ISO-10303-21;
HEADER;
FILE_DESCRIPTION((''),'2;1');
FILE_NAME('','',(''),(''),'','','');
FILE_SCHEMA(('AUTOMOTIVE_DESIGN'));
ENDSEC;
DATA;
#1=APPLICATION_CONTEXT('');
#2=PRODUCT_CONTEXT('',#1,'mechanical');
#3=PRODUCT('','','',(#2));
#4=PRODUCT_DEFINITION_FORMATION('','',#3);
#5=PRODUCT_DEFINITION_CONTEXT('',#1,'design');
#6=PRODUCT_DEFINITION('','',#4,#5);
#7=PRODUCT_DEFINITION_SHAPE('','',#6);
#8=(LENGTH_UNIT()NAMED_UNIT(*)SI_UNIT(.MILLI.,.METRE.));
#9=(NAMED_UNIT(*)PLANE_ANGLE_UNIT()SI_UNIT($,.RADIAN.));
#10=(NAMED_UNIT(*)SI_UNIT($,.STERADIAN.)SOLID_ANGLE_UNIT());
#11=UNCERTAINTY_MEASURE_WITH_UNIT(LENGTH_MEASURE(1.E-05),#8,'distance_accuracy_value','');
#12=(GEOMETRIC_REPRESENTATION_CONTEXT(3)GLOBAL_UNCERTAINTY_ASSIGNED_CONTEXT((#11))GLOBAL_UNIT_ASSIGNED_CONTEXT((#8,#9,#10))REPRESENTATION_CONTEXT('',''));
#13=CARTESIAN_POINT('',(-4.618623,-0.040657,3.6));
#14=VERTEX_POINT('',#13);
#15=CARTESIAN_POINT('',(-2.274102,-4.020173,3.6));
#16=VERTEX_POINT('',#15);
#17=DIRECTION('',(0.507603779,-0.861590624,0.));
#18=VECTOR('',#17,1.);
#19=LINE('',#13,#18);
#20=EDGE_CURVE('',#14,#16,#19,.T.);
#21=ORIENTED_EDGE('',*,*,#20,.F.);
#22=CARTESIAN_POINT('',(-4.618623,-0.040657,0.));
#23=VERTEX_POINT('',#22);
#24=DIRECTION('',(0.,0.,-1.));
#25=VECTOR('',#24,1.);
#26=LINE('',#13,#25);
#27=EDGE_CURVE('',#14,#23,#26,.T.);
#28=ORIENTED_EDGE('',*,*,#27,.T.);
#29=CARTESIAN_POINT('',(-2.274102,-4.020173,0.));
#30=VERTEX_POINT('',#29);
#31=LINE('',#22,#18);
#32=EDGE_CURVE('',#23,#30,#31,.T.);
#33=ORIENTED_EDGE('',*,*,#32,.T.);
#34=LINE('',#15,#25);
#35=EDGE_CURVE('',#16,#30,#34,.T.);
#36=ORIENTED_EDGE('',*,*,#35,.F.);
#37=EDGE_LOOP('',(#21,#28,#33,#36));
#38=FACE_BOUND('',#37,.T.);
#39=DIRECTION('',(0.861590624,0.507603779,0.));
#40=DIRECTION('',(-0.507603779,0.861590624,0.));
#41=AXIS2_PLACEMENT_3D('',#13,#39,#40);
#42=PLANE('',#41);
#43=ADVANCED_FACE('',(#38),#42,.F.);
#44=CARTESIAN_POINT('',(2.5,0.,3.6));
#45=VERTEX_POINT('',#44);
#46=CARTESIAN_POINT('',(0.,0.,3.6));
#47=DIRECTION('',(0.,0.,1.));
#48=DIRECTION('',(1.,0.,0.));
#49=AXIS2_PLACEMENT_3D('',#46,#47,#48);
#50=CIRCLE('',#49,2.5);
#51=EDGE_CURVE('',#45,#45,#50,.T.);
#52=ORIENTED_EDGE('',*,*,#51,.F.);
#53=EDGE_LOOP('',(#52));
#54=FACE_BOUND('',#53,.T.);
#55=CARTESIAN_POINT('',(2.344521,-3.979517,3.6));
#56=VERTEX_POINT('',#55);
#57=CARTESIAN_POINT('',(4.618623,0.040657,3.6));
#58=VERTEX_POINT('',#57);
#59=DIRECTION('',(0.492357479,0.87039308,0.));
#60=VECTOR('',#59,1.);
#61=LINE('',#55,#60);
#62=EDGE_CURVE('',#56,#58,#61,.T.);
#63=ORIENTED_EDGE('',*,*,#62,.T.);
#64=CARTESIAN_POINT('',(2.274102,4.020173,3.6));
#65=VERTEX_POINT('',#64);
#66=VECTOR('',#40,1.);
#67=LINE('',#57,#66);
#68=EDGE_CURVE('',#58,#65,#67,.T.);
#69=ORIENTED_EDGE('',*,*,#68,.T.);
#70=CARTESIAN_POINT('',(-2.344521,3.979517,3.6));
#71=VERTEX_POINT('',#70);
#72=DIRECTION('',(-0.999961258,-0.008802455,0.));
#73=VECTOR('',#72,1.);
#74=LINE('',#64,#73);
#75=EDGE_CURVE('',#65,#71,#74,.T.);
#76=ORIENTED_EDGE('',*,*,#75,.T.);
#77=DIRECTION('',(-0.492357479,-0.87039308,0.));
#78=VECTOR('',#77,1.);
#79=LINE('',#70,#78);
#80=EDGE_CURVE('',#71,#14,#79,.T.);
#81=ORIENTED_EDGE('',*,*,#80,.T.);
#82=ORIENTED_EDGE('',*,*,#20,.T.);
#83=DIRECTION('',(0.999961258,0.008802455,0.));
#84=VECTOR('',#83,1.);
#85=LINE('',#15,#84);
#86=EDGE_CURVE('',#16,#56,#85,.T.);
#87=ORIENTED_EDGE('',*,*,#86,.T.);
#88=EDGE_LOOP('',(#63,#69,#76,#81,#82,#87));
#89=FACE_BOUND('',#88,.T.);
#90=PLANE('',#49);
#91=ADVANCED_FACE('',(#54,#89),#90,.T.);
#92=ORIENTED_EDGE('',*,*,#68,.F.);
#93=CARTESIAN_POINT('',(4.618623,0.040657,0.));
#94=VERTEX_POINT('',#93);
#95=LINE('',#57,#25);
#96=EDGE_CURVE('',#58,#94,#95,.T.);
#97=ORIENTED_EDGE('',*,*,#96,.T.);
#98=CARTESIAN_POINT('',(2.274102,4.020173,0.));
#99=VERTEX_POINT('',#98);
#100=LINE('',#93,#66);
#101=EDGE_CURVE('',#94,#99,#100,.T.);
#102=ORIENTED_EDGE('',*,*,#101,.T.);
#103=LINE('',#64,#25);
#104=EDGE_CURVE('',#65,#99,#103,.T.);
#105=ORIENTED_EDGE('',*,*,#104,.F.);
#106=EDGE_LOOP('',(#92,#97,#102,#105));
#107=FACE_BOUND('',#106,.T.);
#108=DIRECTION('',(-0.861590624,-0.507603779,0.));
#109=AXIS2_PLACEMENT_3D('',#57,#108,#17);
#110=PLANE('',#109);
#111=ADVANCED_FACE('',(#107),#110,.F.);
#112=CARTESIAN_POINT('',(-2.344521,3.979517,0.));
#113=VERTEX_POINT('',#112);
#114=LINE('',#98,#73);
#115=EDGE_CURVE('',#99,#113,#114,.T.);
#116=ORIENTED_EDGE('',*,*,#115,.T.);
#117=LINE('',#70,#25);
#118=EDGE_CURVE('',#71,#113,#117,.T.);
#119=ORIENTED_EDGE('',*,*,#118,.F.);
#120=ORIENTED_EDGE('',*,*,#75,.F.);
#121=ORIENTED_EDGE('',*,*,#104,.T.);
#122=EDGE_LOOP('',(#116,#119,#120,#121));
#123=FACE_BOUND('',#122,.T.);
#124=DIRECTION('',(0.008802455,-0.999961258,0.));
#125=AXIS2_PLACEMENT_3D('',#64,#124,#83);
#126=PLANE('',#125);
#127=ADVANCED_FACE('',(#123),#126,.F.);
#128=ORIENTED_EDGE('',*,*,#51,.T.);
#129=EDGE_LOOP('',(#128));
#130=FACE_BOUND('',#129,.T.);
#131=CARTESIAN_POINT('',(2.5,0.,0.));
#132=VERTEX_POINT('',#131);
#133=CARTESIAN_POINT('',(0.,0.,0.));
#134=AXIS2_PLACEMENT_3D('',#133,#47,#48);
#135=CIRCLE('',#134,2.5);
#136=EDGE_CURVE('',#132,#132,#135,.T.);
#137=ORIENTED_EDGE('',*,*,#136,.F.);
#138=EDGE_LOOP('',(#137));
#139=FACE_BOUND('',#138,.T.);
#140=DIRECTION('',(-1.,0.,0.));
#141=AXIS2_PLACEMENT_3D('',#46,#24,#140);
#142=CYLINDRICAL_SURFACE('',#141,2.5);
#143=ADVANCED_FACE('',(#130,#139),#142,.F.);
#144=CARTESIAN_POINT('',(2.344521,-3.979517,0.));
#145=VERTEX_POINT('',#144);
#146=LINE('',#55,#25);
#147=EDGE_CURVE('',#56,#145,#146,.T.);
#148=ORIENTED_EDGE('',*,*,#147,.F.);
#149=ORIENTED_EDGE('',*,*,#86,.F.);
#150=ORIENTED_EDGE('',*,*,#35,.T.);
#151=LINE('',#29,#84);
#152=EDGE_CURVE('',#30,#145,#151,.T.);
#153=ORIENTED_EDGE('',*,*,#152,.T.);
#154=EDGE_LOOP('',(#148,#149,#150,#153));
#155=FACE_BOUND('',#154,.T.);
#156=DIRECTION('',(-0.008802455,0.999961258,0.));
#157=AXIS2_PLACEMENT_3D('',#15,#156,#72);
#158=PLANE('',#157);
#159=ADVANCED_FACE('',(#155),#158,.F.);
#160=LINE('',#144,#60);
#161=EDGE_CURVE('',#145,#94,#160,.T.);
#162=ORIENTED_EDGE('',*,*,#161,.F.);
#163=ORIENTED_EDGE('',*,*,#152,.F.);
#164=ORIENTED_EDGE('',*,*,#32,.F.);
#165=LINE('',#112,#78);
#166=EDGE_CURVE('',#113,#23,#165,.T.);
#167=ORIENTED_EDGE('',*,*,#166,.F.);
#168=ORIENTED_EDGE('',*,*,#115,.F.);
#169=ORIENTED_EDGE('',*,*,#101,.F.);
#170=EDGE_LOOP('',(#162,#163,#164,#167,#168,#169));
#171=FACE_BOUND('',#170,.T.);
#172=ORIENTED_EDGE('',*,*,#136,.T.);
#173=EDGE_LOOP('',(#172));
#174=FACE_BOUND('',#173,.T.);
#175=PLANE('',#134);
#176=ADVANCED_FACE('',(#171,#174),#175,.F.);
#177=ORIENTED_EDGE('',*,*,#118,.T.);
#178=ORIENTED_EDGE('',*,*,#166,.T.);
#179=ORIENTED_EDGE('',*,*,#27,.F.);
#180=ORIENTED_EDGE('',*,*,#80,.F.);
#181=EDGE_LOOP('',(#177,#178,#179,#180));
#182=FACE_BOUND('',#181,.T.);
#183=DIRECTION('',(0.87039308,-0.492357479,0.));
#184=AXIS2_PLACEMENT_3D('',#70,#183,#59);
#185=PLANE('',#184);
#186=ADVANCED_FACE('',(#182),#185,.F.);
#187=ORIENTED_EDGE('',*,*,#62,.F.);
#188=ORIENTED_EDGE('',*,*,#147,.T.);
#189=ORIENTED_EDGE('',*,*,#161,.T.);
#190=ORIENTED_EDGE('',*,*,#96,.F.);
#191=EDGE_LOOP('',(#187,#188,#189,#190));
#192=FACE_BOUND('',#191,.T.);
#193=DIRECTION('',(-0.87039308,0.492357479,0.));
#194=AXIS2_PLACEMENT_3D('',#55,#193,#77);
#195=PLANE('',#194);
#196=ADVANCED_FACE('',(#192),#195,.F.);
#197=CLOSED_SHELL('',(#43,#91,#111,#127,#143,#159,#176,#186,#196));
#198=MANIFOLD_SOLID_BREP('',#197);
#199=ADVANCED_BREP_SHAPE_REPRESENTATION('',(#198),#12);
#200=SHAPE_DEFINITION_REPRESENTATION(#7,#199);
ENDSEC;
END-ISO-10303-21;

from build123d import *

# Parameters (mm, degrees)
SKETCH_1_R      = 2.5
EXTRUDE_1_DEPTH = 3.6


with BuildPart() as part:
    # 草图1 → 凸台-拉伸1 (new body)
    with BuildSketch(Plane.XY):
        Polygon((2.344521426, -3.979516631), (4.61862321, 0.040656799), (2.274101784, 4.02017343), (-2.344521426, 3.979516631), (-4.61862321, -0.040656799), (-2.274101784, -4.02017343), align=None)
        Circle(SKETCH_1_R, mode=Mode.SUBTRACT)
    extrude(amount=EXTRUDE_1_DEPTH)


solid = part.part
